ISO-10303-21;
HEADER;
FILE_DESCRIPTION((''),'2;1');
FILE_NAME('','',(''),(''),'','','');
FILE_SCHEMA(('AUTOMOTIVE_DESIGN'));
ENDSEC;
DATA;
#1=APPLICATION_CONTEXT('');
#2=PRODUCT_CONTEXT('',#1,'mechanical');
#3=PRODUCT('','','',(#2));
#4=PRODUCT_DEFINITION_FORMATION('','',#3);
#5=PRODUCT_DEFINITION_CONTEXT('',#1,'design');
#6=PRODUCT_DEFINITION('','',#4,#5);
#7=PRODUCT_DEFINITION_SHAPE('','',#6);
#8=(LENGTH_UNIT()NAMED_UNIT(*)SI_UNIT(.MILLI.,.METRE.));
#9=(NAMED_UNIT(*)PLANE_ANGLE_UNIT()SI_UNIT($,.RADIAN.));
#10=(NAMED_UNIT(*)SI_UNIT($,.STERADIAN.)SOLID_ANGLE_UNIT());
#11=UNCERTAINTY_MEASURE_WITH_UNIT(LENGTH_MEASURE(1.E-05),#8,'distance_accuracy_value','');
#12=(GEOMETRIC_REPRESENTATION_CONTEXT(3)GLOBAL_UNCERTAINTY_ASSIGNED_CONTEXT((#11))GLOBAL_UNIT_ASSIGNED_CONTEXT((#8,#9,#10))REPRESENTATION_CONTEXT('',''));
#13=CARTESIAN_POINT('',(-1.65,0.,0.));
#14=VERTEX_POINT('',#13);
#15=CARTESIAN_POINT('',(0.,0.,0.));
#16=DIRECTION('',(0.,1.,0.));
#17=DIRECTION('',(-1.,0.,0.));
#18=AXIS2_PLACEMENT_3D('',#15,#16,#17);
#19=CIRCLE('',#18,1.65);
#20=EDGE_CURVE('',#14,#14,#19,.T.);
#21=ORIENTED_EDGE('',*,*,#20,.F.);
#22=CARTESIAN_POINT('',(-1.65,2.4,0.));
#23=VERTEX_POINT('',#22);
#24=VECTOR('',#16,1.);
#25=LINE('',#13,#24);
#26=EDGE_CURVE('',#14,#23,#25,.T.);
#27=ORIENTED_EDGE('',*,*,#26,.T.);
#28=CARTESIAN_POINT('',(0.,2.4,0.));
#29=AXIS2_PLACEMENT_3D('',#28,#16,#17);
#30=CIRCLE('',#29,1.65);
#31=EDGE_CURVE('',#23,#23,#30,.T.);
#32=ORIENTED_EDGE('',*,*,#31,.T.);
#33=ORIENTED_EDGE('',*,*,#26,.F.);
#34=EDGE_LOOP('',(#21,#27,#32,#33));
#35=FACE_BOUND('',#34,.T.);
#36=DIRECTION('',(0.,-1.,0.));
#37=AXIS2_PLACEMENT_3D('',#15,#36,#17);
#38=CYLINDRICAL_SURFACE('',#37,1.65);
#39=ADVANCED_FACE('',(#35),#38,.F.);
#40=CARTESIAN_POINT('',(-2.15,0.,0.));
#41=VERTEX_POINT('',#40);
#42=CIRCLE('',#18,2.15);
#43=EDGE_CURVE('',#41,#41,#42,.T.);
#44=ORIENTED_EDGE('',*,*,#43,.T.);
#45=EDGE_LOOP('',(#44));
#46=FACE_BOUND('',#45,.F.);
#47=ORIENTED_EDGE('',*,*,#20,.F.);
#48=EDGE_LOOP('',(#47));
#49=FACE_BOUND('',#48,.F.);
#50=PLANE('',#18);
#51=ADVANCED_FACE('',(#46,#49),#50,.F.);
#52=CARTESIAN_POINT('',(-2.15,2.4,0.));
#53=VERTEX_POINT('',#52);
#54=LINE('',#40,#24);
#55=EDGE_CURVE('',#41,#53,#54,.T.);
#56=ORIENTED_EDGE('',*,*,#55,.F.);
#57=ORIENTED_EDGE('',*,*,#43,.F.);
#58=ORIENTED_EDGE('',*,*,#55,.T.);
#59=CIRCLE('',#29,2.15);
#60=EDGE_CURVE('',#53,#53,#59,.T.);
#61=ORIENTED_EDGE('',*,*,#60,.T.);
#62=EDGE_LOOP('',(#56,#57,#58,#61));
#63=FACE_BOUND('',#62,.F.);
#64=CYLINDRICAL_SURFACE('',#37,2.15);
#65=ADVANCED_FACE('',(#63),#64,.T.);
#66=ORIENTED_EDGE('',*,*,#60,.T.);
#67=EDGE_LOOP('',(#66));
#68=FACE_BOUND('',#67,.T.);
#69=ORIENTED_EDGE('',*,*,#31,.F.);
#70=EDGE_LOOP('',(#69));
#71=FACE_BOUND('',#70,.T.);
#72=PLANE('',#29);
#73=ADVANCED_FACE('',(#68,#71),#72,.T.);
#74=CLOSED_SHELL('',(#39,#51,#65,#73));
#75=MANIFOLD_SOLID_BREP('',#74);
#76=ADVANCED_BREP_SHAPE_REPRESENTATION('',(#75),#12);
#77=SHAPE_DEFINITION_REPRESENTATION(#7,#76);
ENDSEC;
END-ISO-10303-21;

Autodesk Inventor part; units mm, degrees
ref_plane "YZ Plane" through (0, 0, 0) normal (1, 0, 0) x (0, 1, 0)
ref_plane "XZ Plane" through (0, 0, 0) normal (0, 1, 0) x (-1, 0, 0)
ref_plane "XY Plane" through (0, 0, 0) normal (0, 0, 1) x (1, 0, 0)
sketch "Sketch1" plane through (0, 0, 0) normal (0, 1, 0) x (-1, 0, 0)
  circle A0 centre (0, 0) radius 1.65
  circle A1 centre (0, 0) radius 2.15
  dimension "d0" = 3.3
  dimension "d1" = 4.3
extrude "Extrusion1" add sketch "Sketch1" along normal blind 2.4
properties part number "ShootPCB-Spacer"
